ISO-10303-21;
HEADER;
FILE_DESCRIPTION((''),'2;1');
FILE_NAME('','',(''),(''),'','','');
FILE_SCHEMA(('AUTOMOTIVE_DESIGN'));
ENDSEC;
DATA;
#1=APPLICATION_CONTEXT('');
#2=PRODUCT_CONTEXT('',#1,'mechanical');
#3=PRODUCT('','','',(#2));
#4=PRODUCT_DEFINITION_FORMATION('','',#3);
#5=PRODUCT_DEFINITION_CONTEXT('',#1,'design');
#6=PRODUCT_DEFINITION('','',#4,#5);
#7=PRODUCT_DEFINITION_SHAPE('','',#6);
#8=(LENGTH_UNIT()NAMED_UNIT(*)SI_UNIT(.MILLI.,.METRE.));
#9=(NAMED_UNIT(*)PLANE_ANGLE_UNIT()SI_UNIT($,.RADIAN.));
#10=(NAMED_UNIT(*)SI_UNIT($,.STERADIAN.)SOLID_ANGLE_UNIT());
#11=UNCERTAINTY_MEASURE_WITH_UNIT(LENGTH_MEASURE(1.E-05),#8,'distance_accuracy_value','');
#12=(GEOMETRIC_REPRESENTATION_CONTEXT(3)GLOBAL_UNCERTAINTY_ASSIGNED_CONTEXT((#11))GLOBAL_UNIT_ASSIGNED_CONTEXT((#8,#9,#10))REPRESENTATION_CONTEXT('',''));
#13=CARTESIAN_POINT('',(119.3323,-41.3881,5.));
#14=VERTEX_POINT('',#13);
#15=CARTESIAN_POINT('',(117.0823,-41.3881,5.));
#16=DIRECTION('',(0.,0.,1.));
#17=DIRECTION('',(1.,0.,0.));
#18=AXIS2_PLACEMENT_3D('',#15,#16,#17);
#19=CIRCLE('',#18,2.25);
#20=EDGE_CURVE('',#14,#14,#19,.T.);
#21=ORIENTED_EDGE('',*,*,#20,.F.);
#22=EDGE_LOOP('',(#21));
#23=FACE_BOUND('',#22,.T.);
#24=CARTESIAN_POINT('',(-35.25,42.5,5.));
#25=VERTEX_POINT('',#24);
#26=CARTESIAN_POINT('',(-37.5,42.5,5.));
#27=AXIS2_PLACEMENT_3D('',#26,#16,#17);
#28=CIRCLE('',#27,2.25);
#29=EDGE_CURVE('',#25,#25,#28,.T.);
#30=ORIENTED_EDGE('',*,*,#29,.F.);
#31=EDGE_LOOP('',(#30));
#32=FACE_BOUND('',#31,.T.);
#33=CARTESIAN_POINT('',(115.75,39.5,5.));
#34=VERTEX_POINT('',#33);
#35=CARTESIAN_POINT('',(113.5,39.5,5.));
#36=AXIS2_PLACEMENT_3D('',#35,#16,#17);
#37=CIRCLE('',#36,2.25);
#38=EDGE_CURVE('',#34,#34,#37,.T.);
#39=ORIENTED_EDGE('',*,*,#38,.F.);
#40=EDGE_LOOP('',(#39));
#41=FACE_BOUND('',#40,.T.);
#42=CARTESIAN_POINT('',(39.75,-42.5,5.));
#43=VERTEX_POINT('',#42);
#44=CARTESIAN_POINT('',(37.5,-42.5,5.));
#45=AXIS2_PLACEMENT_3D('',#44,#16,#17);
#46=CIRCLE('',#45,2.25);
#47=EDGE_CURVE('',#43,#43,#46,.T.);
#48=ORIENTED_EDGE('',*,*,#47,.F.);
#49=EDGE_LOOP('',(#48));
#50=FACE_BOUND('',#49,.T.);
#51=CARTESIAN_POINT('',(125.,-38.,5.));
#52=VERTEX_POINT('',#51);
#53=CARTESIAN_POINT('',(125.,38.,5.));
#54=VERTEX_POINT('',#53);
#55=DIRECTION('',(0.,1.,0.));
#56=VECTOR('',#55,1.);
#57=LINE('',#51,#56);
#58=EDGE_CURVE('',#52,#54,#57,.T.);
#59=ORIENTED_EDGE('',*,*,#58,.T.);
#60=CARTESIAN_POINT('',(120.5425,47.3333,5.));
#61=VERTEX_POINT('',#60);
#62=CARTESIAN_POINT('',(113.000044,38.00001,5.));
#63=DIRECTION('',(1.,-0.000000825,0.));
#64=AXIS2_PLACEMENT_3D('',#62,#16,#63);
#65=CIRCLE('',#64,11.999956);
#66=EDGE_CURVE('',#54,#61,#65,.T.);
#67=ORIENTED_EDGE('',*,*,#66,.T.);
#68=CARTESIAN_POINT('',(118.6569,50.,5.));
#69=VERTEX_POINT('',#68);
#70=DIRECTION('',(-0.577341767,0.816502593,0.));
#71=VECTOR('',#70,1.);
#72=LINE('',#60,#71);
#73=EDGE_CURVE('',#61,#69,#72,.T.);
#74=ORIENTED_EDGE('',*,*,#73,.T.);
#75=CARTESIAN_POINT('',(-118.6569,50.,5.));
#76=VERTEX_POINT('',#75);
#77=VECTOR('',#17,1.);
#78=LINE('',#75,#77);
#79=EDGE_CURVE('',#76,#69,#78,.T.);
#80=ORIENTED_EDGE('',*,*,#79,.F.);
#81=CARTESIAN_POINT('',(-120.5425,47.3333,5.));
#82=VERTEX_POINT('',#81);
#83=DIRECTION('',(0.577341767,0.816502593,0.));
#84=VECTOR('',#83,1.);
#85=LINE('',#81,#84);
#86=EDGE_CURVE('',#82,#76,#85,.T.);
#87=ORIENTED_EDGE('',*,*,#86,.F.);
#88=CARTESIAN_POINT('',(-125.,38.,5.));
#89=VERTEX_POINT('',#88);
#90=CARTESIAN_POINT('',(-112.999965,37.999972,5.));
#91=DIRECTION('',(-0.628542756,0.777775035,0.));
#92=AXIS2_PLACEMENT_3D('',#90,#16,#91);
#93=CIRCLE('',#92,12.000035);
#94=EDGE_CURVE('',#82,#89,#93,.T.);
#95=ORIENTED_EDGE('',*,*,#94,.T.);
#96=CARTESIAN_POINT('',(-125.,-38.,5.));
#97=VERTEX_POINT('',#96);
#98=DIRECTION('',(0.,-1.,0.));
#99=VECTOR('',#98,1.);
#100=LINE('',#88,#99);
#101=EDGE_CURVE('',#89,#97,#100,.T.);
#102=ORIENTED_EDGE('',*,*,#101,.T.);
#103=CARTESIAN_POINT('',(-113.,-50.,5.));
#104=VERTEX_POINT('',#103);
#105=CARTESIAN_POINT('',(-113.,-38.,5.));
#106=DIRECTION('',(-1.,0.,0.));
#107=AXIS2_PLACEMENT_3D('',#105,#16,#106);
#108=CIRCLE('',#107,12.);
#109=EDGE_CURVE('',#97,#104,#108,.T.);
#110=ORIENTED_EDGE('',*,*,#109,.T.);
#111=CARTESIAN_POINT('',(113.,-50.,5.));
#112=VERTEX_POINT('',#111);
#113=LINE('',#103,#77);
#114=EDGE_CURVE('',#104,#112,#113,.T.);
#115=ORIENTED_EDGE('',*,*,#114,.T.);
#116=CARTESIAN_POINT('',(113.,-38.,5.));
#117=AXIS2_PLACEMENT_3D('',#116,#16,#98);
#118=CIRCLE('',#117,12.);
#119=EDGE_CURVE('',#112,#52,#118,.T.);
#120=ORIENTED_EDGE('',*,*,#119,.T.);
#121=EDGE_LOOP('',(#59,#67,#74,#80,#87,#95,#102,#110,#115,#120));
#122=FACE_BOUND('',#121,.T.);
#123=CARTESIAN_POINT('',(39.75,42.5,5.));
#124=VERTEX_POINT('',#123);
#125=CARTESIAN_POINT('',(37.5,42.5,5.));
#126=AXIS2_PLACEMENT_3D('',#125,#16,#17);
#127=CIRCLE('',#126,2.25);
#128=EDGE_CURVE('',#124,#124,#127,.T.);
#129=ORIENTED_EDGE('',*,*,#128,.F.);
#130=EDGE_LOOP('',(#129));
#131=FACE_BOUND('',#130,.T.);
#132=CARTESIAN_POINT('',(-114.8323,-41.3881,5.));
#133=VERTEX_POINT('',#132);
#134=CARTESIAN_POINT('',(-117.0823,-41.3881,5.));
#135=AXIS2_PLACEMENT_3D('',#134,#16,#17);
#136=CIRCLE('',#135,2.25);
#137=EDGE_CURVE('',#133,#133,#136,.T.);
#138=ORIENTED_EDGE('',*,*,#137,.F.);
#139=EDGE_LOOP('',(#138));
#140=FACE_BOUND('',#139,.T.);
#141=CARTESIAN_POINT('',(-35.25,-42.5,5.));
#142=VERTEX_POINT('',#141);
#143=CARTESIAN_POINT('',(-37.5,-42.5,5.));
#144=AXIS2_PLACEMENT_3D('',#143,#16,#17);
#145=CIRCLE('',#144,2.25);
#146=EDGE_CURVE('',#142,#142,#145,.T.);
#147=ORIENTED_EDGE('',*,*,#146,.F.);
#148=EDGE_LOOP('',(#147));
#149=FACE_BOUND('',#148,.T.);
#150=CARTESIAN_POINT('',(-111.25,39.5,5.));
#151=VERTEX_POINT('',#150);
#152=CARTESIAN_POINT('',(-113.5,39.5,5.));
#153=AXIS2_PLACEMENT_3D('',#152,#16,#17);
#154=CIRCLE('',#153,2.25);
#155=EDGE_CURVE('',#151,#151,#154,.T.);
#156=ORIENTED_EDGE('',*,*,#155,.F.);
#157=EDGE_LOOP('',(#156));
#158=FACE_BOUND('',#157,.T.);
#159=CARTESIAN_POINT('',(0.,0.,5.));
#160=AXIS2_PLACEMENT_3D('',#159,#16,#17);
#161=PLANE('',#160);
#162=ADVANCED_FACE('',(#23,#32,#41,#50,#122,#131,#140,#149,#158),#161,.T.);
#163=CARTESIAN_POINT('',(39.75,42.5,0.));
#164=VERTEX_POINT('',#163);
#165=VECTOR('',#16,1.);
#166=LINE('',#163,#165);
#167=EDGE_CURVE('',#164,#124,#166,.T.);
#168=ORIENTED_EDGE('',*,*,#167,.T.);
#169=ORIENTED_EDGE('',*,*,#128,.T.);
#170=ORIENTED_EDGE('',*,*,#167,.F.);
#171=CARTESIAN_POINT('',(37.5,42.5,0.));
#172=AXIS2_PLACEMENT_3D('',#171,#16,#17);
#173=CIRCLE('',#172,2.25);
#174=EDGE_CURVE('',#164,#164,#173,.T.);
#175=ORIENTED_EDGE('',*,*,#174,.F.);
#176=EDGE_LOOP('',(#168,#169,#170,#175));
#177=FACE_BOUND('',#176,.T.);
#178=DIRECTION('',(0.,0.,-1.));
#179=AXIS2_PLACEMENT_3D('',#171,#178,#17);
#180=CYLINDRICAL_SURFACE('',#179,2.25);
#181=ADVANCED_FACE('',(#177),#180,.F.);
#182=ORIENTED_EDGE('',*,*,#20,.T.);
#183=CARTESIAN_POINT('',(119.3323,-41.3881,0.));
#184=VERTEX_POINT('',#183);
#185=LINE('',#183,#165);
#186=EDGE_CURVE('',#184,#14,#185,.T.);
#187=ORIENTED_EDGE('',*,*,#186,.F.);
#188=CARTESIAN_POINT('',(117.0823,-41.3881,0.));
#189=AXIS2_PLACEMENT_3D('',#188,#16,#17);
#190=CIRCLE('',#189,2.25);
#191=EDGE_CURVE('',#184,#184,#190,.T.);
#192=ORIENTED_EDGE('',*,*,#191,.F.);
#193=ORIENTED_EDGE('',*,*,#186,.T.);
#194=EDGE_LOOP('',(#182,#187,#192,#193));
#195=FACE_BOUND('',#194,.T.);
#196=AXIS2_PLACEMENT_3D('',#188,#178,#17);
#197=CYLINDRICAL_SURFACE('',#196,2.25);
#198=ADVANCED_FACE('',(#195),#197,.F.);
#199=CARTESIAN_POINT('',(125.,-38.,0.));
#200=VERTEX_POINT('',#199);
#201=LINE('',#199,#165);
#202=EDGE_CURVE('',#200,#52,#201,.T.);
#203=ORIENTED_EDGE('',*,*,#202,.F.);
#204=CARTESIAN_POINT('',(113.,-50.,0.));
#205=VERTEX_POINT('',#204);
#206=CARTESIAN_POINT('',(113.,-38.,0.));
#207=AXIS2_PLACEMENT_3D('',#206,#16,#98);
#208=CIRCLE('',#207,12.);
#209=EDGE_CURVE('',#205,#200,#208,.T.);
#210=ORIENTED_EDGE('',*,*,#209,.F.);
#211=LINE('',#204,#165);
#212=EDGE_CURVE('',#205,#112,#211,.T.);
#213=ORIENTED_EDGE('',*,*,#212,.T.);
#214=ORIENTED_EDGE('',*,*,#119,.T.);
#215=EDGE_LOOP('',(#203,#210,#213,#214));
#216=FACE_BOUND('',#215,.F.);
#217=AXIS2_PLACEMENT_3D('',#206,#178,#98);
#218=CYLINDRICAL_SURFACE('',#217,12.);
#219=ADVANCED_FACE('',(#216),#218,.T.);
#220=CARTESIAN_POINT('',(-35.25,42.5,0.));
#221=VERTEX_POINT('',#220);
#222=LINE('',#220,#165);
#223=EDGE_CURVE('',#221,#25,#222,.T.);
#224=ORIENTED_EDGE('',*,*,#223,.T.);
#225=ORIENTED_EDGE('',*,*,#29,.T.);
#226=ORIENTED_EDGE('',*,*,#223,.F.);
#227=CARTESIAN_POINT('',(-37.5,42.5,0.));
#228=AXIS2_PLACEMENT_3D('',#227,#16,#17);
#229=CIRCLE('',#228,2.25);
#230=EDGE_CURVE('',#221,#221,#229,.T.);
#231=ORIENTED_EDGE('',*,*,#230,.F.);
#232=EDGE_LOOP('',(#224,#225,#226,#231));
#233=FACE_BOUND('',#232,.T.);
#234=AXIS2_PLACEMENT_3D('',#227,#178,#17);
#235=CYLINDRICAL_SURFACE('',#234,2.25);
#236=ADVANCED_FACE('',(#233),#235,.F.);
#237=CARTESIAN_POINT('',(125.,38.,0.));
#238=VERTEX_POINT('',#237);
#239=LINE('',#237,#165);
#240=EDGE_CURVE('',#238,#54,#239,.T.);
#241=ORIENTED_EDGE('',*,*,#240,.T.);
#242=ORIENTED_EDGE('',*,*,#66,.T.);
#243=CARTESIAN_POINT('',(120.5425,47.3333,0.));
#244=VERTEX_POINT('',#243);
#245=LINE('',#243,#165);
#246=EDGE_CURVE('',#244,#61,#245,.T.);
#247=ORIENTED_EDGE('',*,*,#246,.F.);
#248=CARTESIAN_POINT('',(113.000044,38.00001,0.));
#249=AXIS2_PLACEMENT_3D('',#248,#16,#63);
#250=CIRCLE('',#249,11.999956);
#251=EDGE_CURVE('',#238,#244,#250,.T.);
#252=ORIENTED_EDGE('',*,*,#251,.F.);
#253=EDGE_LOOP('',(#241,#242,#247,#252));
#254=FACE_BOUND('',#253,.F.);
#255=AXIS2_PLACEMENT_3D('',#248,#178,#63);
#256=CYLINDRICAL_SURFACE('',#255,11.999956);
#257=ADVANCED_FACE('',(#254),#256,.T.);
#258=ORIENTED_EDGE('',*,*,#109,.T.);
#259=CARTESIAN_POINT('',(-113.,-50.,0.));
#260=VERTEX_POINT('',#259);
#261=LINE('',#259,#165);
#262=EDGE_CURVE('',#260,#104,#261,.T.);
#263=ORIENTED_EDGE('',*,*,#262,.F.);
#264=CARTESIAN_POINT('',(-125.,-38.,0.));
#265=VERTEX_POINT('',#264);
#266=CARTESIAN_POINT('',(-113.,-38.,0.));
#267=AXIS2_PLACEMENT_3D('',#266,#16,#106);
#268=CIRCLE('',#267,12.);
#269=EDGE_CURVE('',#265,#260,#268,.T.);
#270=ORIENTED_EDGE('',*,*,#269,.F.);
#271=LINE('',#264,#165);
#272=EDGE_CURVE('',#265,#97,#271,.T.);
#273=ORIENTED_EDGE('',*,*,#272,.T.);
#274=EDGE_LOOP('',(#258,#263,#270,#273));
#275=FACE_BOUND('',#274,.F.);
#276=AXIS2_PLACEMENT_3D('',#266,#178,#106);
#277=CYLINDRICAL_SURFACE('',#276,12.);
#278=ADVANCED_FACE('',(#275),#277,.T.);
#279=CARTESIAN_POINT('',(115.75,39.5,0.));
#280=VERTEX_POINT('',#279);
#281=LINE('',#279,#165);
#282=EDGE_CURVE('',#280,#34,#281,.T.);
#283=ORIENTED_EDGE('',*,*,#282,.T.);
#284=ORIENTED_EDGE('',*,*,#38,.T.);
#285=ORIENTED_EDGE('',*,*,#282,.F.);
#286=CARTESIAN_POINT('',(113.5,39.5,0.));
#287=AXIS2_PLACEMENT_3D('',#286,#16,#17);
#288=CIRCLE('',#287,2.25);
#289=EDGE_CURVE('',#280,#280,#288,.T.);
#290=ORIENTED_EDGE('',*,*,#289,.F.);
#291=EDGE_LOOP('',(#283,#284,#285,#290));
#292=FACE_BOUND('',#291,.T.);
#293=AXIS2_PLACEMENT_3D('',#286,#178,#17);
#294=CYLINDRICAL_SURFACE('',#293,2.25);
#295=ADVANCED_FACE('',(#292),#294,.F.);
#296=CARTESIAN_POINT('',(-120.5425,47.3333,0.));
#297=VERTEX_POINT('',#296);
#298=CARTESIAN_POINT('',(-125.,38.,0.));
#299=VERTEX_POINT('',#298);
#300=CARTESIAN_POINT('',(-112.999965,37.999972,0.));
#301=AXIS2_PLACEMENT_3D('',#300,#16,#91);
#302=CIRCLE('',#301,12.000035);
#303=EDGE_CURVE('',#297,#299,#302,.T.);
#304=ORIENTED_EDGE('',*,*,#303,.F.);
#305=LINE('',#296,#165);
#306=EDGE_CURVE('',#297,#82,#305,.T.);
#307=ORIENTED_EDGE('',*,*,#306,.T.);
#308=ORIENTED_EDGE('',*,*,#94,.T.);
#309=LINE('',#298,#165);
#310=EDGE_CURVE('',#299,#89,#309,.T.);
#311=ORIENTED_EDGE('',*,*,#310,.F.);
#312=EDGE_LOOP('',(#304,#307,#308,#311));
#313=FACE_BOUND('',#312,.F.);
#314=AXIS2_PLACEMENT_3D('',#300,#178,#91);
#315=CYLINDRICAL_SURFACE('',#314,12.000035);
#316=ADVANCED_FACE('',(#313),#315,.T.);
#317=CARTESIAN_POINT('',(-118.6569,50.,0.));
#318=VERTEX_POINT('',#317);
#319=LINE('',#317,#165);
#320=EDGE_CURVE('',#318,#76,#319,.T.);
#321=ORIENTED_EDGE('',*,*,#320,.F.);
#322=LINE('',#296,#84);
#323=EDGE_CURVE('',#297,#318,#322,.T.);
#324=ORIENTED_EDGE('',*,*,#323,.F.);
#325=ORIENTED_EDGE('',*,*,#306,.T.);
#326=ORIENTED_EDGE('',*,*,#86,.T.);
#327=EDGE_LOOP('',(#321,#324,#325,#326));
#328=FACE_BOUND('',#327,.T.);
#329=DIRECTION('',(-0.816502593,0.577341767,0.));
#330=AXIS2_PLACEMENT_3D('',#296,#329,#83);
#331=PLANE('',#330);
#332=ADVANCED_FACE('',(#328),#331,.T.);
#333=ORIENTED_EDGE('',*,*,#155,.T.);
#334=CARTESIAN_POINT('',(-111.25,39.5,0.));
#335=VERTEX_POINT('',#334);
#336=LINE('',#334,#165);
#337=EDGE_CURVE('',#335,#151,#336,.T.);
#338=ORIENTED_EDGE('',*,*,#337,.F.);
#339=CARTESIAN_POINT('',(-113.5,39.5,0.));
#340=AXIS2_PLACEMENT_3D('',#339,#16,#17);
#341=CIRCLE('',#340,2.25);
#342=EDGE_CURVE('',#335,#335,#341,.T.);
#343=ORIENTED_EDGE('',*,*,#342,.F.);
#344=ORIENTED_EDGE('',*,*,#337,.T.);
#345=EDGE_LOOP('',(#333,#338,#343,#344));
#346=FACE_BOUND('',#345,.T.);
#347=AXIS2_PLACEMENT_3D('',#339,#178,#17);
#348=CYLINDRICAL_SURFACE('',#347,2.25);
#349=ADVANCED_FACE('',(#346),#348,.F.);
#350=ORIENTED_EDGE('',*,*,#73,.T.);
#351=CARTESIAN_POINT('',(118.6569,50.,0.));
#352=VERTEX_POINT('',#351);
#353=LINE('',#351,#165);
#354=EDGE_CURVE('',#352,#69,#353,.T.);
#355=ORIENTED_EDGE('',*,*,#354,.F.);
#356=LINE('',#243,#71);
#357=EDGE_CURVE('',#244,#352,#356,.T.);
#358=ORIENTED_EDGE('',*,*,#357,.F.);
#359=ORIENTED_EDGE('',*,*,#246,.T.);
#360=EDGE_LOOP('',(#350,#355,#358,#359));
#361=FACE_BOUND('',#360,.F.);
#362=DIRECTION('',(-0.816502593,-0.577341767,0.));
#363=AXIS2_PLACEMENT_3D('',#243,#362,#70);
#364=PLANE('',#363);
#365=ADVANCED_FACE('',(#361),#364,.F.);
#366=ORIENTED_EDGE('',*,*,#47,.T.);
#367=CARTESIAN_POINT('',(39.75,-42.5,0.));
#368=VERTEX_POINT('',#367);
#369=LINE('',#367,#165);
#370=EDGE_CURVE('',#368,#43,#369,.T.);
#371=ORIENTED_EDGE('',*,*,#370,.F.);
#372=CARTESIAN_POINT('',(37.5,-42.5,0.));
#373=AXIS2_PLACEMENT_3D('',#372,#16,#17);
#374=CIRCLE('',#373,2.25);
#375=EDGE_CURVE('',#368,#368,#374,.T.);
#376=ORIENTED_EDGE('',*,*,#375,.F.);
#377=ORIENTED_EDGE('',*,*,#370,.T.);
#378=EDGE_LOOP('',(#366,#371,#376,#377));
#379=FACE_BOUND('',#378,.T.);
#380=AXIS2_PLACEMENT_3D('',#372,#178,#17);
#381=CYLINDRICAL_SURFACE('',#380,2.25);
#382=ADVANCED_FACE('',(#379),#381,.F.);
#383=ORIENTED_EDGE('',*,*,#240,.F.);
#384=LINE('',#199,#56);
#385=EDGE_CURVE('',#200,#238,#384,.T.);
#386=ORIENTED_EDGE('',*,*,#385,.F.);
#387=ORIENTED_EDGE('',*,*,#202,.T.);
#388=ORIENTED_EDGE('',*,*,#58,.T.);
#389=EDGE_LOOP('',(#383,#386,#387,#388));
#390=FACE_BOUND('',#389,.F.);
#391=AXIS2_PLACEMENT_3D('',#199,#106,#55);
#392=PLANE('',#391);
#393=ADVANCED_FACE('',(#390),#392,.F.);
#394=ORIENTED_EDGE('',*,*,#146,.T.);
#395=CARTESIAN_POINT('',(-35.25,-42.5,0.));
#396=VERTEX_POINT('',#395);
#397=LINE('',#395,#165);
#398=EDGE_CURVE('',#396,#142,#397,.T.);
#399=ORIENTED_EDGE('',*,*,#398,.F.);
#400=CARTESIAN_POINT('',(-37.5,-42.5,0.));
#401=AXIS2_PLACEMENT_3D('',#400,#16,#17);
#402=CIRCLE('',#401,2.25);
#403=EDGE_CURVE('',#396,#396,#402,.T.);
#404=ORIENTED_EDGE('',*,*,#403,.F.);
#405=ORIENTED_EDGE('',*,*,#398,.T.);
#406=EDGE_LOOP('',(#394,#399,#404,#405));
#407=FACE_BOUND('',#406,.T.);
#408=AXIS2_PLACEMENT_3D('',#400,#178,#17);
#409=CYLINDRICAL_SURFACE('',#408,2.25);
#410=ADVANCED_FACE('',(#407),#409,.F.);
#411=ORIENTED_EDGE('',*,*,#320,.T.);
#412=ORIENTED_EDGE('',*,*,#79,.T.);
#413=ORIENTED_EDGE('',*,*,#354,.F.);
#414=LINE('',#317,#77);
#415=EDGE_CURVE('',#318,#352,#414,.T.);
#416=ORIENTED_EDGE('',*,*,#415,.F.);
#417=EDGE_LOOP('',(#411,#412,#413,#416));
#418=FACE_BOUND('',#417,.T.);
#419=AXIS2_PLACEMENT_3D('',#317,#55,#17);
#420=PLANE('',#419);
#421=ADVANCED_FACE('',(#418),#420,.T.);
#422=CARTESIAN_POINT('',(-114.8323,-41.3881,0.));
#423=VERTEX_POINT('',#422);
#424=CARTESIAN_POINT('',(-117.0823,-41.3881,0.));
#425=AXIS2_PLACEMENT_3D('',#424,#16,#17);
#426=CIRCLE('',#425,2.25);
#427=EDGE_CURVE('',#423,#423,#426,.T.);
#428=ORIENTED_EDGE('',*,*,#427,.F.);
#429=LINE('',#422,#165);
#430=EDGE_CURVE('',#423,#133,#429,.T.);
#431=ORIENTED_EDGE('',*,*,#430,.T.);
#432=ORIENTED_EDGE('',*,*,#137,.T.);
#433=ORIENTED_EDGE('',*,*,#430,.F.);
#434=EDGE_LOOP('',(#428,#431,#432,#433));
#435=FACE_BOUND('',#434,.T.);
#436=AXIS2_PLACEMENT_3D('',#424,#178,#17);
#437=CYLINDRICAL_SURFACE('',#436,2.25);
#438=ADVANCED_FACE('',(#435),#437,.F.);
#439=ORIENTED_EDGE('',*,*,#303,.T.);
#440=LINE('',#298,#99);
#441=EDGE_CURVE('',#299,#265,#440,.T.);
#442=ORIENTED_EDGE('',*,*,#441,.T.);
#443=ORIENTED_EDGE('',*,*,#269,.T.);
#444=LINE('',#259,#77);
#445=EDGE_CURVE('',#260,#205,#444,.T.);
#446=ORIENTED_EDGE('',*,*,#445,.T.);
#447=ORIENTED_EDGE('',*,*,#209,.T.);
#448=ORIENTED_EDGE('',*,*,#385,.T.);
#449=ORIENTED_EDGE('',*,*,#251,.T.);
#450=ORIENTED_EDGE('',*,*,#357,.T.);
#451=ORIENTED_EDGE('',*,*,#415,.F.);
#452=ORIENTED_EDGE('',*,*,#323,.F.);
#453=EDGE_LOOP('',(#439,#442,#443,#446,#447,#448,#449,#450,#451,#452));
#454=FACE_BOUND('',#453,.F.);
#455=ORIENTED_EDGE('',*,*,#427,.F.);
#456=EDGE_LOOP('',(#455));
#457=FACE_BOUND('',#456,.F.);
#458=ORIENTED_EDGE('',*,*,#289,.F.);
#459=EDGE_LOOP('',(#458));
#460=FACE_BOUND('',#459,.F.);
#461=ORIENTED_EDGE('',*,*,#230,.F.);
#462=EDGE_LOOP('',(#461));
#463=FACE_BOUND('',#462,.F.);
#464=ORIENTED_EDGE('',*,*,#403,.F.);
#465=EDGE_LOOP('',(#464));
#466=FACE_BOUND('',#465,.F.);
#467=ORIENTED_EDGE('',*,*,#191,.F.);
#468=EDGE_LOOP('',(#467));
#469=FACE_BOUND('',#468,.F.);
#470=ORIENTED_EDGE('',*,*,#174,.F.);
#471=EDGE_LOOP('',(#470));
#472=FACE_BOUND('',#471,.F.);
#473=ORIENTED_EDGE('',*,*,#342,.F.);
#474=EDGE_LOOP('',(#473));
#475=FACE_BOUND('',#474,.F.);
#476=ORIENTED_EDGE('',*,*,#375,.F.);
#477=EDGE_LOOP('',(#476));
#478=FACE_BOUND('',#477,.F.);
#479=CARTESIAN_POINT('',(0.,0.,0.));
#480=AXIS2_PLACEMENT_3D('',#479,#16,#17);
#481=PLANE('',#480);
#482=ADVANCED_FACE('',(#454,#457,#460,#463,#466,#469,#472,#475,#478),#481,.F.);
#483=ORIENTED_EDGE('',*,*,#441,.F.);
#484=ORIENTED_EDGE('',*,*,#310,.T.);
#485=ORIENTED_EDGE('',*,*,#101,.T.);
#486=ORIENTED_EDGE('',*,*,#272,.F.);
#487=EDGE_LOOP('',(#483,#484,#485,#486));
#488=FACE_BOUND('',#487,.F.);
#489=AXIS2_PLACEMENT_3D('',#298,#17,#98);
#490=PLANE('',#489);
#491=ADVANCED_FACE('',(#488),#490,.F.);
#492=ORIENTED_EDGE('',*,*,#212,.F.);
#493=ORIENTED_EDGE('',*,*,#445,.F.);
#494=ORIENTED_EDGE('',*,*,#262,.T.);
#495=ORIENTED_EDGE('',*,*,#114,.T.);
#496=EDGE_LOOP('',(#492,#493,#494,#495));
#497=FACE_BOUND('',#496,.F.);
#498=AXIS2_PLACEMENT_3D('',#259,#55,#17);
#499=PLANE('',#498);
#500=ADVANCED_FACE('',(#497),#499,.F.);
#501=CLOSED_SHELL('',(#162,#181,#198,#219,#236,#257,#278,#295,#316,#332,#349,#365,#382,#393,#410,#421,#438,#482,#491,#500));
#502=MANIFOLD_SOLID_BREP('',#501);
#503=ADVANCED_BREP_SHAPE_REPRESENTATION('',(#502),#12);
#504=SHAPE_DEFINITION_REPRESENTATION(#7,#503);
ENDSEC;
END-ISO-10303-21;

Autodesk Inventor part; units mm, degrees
ref_plane "YZ Plane" through (0, 0, 0) normal (1, 0, 0) x (0, 1, 0)
ref_plane "XZ Plane" through (0, 0, 0) normal (0, 1, 0) x (-1, 0, 0)
ref_plane "XY Plane" through (0, 0, 0) normal (0, 0, 1) x (1, 0, 0)
sketch "Sketch1" plane through (0, 0, 0) normal (0, 0, 1) x (1, 0, 0)
  line L0 (30, 31.5) -> (34, 31.5)
  line L1 (34, 36) -> (34, 31.5)
  arc A0 (34, 36) -> (44, 46) centre (34, 46) ccw
  line L2 (44, 46) -> (106, 46)
  arc A1 (106, 46) -> (121, 31) centre (121, 46) ccw
  line L3 (121, 31) -> (121, -29.2696)
  arc A2 (104.9089, -46) -> (121, -29.2696) centre (15.3991, 56.1924) ccw
  line L4 (104.9089, -46) -> (44, -46)
  arc A3 (44, -46) -> (34, -36) centre (34, -46) ccw
  line L5 (34, -21.5) -> (34, -36)
  line L6 (34, -21.5) -> (30, -21.5)
  line L7 (30, -46) -> (30, -21.5)
  line L8 (30, -46) -> (-30, -46)
  line L9 (-30, -21.5) -> (-30, -46)
  line L10 (-30, -21.5) -> (-34, -21.5)
  line L11 (-34, -36) -> (-34, -21.5)
  arc A4 (-34, -36) -> (-44, -46) centre (-34, -46) ccw
  line L12 (-44, -46) -> (-104.9089, -46)
  arc A5 (-121, -29.2696) -> (-104.9089, -46) centre (-15.3991, 56.1924) ccw
  line L13 (-121, -29.2696) -> (-121, 31)
  arc A6 (-121, 31) -> (-106, 46) centre (-121, 46) ccw
  line L14 (-106, 46) -> (-44, 46)
  arc A7 (-44, 46) -> (-34, 36) centre (-34, 46) ccw
  line L15 (-34, 21.5) -> (-34, 36)
  line L16 (-34, 21.5) -> (-30, 21.5)
  line L17 (-30, 46) -> (-30, 21.5)
  line L18 (-30, 46) -> (30, 46)
  line L19 (30, 31.5) -> (30, 46)
  circle A8 centre (-113.5, 39.5) radius 2.25
  circle A9 centre (-117.0823, -41.3881) radius 2.25
  circle A10 centre (-37.5, 42.5) radius 2.25
  circle A11 centre (-37.5, -42.5) radius 2.25
  arc A12 (-125, -38) -> (-113, -50) centre (-113, -38) ccw
  line L20 (-113, -50) -> (113, -50)
  arc A13 (113, -50) -> (125, -38) centre (113, -38) ccw
  line L21 (125, -38) -> (125, 38)
  arc A14 (125, 38) -> (120.5425, 47.3333) centre (113, 38) ccw
  line L22 (120.5425, 47.3333) -> (118.6569, 50)
  line L23 (-118.6569, 50) -> (118.6569, 50)
  line L24 (-120.5425, 47.3333) -> (-118.6569, 50)
  arc A15 (-120.5425, 47.3333) -> (-125, 38) centre (-113, 38) ccw
  line L25 (-125, 38) -> (-125, -38)
  circle A16 centre (117.0823, -41.3881) radius 2.25
  circle A17 centre (37.5, 42.5) radius 2.25
  circle A18 centre (113.5, 39.5) radius 2.25
  circle A19 centre (37.5, -42.5) radius 2.25
  point P0 (0, 0)
  point P1 (0, 0)
extrude "Extrusion1" add sketch "Sketch1" along normal blind 5 contours L0 L1 A0 L2 A1 L3 A2 L4 A3 L5 L6 L7 L8 L9 L10 L11 A4 L12 A5 L13 A6 L14 A7 L15 L16 L17 L18 L19 | L25 A15 L24 L23 L22 A14 L21 A13 L20 A12
properties part number "Housing cover"
